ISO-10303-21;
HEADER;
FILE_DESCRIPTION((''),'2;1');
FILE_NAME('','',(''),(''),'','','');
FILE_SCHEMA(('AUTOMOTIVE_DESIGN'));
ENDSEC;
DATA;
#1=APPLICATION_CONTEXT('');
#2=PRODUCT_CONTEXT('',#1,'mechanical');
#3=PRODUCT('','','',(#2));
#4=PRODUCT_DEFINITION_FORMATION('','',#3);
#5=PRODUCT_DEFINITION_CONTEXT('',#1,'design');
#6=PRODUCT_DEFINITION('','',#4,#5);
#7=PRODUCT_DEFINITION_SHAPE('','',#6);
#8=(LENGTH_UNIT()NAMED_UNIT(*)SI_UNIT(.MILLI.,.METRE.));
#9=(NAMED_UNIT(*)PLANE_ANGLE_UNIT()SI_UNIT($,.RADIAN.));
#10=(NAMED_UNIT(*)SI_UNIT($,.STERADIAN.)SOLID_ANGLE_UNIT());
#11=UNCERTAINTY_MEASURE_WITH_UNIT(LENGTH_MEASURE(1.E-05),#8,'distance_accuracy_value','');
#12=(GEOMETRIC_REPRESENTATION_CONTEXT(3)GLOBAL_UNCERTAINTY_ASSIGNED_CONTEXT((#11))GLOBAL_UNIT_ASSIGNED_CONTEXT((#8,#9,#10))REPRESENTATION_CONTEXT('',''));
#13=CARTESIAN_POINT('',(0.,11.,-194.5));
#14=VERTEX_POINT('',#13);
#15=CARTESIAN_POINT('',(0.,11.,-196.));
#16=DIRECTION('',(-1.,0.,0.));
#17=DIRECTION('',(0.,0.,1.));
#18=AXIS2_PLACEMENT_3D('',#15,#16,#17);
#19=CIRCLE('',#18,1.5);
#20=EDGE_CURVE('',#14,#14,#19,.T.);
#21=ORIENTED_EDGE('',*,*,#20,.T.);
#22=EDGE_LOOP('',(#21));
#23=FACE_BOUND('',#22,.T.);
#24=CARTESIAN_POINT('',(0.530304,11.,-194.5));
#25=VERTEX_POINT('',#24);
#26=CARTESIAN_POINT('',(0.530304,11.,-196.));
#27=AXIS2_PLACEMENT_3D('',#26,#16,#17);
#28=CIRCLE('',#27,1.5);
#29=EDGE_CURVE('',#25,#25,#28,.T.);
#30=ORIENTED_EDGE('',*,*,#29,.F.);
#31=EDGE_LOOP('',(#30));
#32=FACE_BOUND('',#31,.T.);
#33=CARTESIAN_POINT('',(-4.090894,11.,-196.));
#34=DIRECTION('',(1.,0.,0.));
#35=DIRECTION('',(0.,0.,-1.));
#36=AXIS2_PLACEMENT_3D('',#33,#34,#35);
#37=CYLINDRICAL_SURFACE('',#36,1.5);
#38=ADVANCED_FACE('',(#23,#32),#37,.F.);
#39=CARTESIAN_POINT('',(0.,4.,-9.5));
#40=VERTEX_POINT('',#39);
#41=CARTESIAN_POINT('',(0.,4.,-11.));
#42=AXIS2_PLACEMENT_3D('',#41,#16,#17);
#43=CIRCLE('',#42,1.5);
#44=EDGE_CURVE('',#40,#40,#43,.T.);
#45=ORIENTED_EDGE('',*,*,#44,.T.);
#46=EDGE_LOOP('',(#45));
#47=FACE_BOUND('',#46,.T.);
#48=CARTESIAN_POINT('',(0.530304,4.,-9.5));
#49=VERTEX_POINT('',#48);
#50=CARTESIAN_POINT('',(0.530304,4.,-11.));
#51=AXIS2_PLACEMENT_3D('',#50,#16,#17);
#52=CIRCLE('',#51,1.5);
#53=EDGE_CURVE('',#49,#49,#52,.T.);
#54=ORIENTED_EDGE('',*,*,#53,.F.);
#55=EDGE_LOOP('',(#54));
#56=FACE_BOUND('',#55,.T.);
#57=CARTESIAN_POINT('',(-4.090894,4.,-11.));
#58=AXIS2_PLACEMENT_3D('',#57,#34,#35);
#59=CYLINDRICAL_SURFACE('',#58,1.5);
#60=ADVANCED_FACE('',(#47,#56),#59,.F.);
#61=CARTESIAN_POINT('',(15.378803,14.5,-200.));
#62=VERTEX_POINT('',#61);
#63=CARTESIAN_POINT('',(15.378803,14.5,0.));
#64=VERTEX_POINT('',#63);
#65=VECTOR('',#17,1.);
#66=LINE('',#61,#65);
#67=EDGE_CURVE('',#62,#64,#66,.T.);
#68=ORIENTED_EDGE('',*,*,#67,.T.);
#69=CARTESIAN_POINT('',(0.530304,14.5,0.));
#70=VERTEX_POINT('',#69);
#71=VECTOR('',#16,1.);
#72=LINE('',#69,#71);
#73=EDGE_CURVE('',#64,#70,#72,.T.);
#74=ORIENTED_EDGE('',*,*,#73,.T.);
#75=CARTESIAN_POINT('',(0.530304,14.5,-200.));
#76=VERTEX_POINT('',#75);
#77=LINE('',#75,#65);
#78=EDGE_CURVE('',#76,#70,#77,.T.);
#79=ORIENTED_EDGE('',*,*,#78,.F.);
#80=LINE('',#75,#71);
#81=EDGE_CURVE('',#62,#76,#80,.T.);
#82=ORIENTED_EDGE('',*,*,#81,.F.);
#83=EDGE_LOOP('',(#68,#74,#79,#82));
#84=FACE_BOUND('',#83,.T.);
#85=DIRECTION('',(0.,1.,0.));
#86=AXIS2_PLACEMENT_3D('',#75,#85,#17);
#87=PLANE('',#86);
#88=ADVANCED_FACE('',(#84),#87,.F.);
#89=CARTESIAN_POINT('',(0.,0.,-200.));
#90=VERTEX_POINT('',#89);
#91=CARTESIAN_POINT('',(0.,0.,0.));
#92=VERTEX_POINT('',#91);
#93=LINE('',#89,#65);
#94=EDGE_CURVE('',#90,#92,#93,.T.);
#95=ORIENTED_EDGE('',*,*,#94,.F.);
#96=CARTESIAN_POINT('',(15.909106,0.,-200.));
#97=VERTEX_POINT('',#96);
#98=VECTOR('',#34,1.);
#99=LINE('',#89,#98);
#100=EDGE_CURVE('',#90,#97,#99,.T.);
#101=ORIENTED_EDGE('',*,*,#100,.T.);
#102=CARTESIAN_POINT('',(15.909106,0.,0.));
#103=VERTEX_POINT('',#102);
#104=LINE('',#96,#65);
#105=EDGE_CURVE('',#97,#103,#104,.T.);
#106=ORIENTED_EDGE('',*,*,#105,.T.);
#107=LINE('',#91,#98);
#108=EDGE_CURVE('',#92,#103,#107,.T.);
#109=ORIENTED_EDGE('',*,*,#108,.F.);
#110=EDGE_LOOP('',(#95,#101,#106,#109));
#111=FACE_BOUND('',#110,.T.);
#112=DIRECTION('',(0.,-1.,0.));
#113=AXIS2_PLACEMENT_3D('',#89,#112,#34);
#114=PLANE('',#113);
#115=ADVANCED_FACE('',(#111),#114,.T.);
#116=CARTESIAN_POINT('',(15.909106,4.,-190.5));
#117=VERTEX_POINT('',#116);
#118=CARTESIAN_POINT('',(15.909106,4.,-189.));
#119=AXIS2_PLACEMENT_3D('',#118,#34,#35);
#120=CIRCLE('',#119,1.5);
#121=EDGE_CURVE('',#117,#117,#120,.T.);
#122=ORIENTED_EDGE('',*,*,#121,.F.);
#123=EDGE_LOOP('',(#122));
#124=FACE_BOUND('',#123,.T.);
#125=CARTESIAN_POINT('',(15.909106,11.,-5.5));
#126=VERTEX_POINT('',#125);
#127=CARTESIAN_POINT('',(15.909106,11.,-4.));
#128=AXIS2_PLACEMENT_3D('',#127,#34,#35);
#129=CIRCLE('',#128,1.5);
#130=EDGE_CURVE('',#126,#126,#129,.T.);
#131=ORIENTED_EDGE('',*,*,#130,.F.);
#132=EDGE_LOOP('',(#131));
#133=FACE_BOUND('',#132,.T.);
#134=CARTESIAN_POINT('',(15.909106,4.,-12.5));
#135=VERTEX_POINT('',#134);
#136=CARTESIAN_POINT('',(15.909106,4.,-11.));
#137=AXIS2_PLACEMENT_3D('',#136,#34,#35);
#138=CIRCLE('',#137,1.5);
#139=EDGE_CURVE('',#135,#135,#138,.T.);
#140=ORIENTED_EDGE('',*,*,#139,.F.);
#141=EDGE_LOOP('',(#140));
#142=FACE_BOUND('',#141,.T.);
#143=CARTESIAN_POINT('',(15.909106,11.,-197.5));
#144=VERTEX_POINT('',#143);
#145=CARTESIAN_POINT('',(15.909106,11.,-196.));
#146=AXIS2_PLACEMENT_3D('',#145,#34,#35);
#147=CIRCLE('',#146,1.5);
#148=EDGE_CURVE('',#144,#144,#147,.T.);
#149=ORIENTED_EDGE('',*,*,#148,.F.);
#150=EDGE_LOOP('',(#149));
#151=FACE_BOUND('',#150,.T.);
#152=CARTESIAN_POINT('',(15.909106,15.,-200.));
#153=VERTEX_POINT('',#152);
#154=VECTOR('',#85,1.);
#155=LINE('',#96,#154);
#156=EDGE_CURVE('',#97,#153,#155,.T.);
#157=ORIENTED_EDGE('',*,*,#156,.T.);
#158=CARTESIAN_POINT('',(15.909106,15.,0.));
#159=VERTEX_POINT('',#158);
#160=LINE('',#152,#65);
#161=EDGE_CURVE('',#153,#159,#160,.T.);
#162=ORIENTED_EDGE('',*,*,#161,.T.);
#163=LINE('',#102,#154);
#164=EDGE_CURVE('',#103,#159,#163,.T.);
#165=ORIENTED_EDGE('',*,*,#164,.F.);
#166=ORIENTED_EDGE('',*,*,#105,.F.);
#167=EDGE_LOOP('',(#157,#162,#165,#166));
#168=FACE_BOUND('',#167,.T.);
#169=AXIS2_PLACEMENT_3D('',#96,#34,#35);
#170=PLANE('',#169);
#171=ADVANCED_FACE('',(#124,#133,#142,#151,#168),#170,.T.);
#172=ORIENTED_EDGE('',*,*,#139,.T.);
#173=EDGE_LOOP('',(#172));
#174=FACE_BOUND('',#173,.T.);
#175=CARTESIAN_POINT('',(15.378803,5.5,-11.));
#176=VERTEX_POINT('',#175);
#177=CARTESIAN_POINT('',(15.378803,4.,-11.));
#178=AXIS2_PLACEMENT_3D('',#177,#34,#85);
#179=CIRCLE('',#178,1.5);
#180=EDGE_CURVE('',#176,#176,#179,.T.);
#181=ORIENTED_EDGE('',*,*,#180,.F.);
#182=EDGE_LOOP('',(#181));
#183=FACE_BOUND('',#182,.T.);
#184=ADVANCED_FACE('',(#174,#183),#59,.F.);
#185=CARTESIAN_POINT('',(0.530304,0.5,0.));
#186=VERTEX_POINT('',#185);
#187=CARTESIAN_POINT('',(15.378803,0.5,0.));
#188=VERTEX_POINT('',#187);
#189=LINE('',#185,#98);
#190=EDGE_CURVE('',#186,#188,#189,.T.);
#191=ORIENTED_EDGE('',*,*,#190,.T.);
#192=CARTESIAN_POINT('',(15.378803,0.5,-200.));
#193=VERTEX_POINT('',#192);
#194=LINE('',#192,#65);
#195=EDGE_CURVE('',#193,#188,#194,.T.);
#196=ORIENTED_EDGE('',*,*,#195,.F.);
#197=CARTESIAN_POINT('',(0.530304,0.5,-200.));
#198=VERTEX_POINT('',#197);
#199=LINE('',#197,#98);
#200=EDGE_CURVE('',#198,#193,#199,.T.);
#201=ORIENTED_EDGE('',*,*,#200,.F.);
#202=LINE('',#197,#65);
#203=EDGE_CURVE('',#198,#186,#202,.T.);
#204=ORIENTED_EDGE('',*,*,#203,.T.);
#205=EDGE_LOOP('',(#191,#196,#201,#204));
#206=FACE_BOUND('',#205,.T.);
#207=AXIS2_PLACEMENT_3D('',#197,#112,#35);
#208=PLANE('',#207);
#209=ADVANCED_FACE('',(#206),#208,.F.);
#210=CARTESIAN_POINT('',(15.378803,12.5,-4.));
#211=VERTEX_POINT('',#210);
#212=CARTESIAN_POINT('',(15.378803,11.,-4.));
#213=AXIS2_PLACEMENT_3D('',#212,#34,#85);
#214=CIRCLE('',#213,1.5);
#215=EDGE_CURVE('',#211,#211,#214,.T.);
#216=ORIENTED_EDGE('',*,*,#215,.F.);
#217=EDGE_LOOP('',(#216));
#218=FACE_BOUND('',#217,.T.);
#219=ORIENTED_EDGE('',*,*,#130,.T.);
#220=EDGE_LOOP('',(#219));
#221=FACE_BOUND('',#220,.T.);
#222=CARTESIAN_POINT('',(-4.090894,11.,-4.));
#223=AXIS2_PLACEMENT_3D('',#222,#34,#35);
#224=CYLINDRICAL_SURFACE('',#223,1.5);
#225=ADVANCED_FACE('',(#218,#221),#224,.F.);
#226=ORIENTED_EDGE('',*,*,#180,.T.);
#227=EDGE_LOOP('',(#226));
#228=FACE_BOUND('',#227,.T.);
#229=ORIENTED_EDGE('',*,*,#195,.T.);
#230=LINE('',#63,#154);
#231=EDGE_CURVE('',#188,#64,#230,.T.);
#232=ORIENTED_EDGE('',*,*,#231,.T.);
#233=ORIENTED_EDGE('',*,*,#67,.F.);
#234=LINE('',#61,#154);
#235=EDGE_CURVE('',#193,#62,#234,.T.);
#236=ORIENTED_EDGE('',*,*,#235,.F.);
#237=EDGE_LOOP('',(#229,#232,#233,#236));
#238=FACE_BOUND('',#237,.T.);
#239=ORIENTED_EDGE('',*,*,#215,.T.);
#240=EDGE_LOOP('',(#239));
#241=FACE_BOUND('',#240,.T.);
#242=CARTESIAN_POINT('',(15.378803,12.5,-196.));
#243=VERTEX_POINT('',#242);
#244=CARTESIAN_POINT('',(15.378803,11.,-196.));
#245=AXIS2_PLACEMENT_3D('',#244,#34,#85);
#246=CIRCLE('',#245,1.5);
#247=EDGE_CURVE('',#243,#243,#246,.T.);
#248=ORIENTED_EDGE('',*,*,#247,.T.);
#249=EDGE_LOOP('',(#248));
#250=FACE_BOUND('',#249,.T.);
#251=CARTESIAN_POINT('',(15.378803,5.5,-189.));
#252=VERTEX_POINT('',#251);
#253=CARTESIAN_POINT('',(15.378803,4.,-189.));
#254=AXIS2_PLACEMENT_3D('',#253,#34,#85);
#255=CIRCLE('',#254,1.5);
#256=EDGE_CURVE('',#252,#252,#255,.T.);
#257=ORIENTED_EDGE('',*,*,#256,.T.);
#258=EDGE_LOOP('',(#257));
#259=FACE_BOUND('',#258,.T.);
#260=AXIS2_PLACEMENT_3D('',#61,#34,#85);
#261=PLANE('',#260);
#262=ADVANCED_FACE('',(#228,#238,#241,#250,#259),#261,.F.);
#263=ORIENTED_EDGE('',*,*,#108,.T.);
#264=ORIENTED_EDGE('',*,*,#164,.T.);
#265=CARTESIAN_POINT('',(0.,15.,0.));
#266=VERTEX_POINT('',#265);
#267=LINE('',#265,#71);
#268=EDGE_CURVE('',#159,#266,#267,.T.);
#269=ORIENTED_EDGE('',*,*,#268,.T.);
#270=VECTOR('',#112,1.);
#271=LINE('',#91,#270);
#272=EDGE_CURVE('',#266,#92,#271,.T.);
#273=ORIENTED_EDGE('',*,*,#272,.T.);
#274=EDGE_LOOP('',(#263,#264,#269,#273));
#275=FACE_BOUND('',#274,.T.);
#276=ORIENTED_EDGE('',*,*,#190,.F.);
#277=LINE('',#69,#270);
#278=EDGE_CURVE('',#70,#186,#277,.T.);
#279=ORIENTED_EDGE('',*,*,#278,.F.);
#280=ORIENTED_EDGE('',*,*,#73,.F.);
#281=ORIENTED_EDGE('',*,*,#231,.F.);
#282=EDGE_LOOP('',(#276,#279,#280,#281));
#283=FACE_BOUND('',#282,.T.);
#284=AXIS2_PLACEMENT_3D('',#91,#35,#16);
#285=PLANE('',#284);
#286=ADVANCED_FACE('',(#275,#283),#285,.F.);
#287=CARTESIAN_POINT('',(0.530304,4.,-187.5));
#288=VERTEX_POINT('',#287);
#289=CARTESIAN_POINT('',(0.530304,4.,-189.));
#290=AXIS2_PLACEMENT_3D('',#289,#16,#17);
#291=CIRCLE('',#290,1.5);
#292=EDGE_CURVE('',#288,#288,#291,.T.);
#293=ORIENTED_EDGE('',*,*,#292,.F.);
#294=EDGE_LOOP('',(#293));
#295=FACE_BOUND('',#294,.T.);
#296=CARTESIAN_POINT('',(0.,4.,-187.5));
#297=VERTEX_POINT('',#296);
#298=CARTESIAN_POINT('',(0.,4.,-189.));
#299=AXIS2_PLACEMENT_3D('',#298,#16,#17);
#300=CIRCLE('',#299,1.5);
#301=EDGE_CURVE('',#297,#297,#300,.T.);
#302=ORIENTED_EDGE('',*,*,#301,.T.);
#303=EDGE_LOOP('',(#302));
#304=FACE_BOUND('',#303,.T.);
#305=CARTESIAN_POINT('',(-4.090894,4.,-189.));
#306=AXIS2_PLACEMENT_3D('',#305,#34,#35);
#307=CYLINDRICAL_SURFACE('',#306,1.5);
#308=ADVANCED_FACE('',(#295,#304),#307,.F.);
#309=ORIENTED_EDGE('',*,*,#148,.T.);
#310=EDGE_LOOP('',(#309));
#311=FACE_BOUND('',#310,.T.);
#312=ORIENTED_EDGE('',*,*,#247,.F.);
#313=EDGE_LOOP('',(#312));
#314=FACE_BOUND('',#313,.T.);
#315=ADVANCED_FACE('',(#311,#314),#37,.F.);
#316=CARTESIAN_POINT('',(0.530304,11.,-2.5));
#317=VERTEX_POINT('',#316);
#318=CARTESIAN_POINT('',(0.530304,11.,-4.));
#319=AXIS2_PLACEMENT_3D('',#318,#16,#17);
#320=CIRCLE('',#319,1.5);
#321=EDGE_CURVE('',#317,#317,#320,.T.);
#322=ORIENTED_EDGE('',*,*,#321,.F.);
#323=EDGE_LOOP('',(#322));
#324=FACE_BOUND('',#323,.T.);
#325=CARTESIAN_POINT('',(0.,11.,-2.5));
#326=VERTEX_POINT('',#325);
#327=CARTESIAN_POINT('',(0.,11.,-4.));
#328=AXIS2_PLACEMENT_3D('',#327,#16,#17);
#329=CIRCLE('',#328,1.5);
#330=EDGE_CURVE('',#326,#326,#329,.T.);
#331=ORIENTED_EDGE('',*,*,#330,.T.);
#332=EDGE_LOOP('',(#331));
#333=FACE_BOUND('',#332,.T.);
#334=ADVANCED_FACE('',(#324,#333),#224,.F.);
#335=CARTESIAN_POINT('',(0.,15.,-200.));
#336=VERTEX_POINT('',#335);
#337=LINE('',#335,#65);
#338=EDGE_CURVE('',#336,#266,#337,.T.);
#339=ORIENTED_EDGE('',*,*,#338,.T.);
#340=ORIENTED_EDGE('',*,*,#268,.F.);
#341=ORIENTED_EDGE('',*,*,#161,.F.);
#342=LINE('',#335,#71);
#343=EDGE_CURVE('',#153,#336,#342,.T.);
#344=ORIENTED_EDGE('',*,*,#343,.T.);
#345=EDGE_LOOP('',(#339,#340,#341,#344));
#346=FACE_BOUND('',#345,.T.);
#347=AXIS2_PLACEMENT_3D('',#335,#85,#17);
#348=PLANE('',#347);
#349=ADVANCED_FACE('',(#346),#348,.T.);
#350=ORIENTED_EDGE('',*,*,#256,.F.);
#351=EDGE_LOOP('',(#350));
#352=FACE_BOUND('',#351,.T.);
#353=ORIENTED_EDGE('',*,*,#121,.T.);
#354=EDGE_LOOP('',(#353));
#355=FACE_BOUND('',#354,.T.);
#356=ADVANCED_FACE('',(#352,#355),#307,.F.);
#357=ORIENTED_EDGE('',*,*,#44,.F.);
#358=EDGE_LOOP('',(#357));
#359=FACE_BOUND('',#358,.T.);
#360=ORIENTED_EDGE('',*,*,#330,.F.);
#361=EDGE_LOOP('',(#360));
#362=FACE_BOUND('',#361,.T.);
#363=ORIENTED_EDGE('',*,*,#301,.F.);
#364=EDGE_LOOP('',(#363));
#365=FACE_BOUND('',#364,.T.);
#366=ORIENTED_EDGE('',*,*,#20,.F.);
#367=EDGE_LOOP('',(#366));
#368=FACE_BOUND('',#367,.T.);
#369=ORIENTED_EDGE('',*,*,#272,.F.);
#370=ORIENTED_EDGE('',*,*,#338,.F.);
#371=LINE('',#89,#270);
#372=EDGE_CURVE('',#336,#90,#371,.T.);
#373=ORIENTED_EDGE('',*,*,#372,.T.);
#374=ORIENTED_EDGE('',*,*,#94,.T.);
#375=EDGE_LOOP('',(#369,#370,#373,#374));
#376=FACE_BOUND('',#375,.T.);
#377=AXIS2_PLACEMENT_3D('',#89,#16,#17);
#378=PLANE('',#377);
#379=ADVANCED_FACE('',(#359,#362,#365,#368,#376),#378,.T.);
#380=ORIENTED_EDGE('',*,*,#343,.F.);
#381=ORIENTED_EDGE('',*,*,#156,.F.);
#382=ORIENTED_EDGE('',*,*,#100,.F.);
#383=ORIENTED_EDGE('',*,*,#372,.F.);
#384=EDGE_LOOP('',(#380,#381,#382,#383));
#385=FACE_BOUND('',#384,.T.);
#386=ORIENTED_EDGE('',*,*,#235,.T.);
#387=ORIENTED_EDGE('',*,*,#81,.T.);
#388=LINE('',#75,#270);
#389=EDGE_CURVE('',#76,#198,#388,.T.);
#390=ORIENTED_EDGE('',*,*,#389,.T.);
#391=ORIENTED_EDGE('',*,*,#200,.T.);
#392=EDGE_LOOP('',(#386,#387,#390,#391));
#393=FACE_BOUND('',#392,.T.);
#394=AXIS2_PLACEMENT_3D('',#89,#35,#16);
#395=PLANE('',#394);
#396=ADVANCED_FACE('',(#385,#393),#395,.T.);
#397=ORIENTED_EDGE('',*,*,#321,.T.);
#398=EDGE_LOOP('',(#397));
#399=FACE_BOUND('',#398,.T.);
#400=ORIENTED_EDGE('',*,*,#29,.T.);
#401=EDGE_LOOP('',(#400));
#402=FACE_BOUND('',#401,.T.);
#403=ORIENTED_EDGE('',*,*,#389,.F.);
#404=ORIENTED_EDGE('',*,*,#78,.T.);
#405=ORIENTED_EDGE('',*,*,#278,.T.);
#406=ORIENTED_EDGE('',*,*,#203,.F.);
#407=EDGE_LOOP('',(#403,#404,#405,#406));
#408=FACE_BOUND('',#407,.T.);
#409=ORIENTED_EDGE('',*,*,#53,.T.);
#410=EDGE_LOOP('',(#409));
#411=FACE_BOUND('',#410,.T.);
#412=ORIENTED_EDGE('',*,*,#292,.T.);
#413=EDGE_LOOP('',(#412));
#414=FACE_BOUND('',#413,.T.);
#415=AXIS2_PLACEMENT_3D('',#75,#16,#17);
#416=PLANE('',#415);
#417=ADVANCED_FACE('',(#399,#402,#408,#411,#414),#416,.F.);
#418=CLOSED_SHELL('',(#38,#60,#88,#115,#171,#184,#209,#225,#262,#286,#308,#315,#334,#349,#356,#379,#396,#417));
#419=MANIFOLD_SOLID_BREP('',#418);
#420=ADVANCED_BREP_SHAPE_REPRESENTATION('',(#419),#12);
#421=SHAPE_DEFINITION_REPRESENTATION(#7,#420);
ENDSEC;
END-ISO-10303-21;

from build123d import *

# Parameters (mm, degrees)
ESQUISSE1_W             = 15.90910635
ESQUISSE1_H             = 15
ESQUISSE1_W_2           = 14.84849926
ESQUISSE1_H_2           = 14
BOSS_EXTRU_1_DEPTH      = 200
ESQUISSE6_R             = 1.5
ENL_V_MAT_EXTRU_7_DEPTH = 20


with BuildPart() as part:
    # Esquisse1 → Boss.-Extru.1 (new body)
    with BuildSketch(Plane.XY):
        with Locations((7.954553175, 7.5)):
            Rectangle(ESQUISSE1_W, ESQUISSE1_H)
        with Locations((7.954553175, 7.5)):
            Rectangle(ESQUISSE1_W_2, ESQUISSE1_H_2, mode=Mode.SUBTRACT)
    extrude(amount=-BOSS_EXTRU_1_DEPTH)

    # Esquisse6 → Enlèv. mat.-Extru.7 (cut)
    with BuildSketch(Plane(origin=(15.90910635, 0, 0), x_dir=(0, 0, -1), z_dir=(1, 0, 0))):
        with Locations(Location((4, 11, 0), (0, 0, 180))):
            Circle(ESQUISSE6_R)
        with Locations(Location((11, 4, 0), (0, 0, 180))):
            Circle(ESQUISSE6_R)
        with Locations(Location((189, 4, 0), (0, 0, 180))):
            Circle(ESQUISSE6_R)
        with Locations(Location((196, 11, 0), (0, 0, 180))):
            Circle(ESQUISSE6_R)
    extrude(amount=-ENL_V_MAT_EXTRU_7_DEPTH, mode=Mode.SUBTRACT)


solid = part.part
